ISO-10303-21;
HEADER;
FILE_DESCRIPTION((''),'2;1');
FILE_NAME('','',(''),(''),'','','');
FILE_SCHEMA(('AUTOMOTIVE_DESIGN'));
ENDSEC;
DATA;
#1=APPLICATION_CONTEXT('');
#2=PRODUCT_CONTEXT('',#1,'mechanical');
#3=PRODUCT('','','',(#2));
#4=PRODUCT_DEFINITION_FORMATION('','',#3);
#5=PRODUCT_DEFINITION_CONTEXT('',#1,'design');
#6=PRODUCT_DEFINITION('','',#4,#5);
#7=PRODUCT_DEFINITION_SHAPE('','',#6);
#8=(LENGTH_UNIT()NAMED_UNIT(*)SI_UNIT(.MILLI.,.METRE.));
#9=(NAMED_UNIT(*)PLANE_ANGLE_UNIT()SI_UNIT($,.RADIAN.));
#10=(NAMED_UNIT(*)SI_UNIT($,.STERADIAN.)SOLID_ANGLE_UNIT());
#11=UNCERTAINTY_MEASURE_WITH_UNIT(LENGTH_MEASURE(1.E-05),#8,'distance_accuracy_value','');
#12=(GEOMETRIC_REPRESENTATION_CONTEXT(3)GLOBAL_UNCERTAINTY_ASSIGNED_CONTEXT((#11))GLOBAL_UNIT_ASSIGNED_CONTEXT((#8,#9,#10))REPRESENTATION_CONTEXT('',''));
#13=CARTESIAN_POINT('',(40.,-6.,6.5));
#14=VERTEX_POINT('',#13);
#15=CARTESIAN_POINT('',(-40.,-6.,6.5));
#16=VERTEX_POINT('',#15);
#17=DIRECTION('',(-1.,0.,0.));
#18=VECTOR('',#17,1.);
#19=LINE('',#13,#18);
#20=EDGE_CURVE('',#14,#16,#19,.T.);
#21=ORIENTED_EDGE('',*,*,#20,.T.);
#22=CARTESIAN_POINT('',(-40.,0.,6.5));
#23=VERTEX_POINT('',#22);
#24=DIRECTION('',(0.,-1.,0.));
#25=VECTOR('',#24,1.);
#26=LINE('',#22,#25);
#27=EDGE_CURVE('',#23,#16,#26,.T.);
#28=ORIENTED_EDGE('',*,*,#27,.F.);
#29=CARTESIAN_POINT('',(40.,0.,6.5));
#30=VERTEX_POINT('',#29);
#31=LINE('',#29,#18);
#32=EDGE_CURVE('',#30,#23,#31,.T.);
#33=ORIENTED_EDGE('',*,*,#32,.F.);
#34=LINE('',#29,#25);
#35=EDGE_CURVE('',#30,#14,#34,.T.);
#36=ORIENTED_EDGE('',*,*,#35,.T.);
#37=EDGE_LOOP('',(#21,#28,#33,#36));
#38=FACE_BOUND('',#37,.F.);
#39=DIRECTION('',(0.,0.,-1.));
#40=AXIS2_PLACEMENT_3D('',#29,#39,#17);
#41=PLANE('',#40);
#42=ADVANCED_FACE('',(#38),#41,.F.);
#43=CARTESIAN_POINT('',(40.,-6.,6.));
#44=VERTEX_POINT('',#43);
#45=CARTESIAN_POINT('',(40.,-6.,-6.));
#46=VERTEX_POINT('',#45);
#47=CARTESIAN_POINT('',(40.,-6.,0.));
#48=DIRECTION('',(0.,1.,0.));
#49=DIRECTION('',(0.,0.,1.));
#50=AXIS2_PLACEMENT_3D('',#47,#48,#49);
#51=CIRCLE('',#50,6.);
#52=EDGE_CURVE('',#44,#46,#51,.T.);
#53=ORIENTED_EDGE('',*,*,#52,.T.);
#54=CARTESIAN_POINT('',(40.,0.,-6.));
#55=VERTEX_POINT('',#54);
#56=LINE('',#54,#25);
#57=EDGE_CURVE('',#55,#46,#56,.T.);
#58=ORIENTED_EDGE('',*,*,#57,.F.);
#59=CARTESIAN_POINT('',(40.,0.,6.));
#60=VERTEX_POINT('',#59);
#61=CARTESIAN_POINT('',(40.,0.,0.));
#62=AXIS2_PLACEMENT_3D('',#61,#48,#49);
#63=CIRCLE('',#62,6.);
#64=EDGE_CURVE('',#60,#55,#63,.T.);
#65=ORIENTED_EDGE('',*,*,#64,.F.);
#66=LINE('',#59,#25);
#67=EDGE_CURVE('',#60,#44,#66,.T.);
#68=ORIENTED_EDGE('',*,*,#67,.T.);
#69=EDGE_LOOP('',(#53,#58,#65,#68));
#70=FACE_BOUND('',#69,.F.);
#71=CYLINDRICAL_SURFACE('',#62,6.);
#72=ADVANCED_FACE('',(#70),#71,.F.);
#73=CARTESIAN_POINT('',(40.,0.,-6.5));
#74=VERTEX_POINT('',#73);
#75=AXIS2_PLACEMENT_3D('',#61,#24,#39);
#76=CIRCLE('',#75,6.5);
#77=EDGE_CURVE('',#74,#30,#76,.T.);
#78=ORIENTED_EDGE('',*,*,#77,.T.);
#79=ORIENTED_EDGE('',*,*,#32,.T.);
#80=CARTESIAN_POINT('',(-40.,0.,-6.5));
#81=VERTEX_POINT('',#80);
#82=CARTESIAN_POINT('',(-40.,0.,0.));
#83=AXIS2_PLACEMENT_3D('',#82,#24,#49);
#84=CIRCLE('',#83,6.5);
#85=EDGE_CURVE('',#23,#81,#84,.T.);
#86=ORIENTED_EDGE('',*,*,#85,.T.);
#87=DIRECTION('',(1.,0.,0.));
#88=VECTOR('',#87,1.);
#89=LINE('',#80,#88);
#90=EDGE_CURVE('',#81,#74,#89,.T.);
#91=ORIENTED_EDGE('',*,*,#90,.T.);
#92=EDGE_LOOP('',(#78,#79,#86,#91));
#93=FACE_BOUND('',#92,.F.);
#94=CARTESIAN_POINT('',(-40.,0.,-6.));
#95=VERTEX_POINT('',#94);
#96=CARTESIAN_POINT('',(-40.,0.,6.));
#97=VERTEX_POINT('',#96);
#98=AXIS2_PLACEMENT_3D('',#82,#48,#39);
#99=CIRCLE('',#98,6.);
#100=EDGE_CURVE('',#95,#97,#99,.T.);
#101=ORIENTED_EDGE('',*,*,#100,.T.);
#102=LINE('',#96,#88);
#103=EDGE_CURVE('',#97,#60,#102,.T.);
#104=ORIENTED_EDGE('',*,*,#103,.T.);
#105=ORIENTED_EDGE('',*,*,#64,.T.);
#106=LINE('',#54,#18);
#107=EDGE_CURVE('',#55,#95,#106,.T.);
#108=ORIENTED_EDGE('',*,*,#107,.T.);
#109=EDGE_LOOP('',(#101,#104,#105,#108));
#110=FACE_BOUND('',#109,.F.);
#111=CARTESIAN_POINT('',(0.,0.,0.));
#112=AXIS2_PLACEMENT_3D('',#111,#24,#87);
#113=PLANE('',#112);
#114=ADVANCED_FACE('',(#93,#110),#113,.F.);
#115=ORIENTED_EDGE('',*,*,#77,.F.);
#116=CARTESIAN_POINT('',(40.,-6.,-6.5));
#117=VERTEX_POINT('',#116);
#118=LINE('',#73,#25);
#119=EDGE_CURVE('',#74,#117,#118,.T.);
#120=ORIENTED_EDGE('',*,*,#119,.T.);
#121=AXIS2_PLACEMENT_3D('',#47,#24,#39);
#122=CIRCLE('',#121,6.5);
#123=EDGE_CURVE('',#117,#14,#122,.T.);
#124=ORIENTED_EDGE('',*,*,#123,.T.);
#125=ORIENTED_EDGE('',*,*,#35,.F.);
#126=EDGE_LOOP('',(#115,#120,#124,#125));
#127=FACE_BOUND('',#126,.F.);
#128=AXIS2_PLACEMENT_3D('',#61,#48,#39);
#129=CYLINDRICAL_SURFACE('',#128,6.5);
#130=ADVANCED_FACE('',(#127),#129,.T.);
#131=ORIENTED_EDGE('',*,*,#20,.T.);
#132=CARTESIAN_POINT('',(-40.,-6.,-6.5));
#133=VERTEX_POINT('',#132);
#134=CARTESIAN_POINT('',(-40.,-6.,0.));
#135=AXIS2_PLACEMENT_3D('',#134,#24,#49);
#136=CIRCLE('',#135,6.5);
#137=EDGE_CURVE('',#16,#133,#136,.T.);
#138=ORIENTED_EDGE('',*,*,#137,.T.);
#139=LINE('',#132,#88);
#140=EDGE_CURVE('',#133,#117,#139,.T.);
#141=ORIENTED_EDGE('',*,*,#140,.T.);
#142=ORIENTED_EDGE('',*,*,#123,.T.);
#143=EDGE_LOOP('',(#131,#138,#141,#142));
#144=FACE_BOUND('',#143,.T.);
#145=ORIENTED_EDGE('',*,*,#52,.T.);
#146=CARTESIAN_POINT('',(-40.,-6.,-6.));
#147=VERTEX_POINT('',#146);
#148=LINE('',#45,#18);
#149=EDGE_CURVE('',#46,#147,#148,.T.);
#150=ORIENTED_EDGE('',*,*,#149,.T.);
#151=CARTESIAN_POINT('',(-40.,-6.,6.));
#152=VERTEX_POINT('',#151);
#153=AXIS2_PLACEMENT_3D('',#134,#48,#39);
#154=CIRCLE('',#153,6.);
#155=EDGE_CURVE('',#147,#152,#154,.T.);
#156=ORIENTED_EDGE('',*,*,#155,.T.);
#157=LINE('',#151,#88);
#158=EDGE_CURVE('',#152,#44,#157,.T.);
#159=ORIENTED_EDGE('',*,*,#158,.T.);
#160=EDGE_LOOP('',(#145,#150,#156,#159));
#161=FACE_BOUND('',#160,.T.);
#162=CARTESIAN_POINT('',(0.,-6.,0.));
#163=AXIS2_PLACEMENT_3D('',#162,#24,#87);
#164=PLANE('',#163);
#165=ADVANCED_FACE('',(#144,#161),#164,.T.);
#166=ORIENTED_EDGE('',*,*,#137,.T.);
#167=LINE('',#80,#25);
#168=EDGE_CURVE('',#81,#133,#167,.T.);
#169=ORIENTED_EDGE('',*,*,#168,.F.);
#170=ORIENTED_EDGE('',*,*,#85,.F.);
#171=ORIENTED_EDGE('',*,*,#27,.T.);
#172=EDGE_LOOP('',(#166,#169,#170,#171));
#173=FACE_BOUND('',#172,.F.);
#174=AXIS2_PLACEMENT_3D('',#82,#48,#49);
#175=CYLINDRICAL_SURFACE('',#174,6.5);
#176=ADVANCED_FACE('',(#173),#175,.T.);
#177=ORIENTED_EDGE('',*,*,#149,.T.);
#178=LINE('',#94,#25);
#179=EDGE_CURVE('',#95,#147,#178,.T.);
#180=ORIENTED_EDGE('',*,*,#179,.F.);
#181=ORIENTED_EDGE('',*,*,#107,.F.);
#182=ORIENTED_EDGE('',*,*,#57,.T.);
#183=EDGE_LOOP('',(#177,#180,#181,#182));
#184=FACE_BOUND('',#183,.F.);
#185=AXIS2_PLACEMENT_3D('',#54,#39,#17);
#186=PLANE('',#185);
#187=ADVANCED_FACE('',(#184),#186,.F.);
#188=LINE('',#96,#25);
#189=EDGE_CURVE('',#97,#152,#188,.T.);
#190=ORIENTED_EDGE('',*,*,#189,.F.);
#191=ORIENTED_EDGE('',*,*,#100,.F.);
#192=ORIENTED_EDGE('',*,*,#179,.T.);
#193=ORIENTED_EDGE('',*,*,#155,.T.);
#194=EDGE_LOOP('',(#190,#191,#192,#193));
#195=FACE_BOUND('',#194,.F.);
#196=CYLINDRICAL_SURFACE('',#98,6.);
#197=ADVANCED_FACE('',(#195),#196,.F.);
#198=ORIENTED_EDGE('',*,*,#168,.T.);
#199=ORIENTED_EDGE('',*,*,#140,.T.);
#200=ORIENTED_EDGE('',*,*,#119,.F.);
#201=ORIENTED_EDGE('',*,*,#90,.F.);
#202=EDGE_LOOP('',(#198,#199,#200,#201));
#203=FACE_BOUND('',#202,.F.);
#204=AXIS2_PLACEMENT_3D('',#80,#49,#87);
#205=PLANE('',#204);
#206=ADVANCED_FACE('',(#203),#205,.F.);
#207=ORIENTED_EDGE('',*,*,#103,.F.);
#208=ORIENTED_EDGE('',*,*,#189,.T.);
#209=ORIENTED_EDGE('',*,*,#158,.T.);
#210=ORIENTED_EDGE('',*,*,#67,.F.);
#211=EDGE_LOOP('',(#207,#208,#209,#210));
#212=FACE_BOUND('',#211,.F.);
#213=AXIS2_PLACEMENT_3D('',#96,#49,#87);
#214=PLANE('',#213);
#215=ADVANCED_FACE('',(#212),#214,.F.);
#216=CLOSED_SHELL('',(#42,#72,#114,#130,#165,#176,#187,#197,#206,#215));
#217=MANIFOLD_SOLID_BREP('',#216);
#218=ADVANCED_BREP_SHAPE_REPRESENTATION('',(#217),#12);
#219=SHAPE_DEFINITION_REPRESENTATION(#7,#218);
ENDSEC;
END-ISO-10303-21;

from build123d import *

# Parameters (mm, degrees)
F1_DEPTH = 6


with BuildPart() as f1:
    # F0 (on Front) → F1 (new body)
    with BuildSketch(Plane.XZ):
        with BuildLine():
            Line((0, 6.5), (-40, 6.5))
            ThreePointArc((-40, 6.5), (-46.5, 0), (-40, -6.5))
            Line((-40, -6.5), (0, -6.5))
            Line((0, -6.5), (40, -6.5))
            ThreePointArc((40, -6.5), (46.5, 0), (40, 6.5))
            Line((40, 6.5), (0, 6.5))
        make_face()
        with BuildLine():
            ThreePointArc((-40, -6), (-46, 0), (-40, 6))
            Line((-40, 6), (0, 6))
            Line((0, 6), (40, 6))
            ThreePointArc((40, 6), (46, 0), (40, -6))
            Line((40, -6), (0, -6))
            Line((0, -6), (-40, -6))
        make_face(mode=Mode.SUBTRACT)
    extrude(amount=F1_DEPTH)


solid = f1.part
